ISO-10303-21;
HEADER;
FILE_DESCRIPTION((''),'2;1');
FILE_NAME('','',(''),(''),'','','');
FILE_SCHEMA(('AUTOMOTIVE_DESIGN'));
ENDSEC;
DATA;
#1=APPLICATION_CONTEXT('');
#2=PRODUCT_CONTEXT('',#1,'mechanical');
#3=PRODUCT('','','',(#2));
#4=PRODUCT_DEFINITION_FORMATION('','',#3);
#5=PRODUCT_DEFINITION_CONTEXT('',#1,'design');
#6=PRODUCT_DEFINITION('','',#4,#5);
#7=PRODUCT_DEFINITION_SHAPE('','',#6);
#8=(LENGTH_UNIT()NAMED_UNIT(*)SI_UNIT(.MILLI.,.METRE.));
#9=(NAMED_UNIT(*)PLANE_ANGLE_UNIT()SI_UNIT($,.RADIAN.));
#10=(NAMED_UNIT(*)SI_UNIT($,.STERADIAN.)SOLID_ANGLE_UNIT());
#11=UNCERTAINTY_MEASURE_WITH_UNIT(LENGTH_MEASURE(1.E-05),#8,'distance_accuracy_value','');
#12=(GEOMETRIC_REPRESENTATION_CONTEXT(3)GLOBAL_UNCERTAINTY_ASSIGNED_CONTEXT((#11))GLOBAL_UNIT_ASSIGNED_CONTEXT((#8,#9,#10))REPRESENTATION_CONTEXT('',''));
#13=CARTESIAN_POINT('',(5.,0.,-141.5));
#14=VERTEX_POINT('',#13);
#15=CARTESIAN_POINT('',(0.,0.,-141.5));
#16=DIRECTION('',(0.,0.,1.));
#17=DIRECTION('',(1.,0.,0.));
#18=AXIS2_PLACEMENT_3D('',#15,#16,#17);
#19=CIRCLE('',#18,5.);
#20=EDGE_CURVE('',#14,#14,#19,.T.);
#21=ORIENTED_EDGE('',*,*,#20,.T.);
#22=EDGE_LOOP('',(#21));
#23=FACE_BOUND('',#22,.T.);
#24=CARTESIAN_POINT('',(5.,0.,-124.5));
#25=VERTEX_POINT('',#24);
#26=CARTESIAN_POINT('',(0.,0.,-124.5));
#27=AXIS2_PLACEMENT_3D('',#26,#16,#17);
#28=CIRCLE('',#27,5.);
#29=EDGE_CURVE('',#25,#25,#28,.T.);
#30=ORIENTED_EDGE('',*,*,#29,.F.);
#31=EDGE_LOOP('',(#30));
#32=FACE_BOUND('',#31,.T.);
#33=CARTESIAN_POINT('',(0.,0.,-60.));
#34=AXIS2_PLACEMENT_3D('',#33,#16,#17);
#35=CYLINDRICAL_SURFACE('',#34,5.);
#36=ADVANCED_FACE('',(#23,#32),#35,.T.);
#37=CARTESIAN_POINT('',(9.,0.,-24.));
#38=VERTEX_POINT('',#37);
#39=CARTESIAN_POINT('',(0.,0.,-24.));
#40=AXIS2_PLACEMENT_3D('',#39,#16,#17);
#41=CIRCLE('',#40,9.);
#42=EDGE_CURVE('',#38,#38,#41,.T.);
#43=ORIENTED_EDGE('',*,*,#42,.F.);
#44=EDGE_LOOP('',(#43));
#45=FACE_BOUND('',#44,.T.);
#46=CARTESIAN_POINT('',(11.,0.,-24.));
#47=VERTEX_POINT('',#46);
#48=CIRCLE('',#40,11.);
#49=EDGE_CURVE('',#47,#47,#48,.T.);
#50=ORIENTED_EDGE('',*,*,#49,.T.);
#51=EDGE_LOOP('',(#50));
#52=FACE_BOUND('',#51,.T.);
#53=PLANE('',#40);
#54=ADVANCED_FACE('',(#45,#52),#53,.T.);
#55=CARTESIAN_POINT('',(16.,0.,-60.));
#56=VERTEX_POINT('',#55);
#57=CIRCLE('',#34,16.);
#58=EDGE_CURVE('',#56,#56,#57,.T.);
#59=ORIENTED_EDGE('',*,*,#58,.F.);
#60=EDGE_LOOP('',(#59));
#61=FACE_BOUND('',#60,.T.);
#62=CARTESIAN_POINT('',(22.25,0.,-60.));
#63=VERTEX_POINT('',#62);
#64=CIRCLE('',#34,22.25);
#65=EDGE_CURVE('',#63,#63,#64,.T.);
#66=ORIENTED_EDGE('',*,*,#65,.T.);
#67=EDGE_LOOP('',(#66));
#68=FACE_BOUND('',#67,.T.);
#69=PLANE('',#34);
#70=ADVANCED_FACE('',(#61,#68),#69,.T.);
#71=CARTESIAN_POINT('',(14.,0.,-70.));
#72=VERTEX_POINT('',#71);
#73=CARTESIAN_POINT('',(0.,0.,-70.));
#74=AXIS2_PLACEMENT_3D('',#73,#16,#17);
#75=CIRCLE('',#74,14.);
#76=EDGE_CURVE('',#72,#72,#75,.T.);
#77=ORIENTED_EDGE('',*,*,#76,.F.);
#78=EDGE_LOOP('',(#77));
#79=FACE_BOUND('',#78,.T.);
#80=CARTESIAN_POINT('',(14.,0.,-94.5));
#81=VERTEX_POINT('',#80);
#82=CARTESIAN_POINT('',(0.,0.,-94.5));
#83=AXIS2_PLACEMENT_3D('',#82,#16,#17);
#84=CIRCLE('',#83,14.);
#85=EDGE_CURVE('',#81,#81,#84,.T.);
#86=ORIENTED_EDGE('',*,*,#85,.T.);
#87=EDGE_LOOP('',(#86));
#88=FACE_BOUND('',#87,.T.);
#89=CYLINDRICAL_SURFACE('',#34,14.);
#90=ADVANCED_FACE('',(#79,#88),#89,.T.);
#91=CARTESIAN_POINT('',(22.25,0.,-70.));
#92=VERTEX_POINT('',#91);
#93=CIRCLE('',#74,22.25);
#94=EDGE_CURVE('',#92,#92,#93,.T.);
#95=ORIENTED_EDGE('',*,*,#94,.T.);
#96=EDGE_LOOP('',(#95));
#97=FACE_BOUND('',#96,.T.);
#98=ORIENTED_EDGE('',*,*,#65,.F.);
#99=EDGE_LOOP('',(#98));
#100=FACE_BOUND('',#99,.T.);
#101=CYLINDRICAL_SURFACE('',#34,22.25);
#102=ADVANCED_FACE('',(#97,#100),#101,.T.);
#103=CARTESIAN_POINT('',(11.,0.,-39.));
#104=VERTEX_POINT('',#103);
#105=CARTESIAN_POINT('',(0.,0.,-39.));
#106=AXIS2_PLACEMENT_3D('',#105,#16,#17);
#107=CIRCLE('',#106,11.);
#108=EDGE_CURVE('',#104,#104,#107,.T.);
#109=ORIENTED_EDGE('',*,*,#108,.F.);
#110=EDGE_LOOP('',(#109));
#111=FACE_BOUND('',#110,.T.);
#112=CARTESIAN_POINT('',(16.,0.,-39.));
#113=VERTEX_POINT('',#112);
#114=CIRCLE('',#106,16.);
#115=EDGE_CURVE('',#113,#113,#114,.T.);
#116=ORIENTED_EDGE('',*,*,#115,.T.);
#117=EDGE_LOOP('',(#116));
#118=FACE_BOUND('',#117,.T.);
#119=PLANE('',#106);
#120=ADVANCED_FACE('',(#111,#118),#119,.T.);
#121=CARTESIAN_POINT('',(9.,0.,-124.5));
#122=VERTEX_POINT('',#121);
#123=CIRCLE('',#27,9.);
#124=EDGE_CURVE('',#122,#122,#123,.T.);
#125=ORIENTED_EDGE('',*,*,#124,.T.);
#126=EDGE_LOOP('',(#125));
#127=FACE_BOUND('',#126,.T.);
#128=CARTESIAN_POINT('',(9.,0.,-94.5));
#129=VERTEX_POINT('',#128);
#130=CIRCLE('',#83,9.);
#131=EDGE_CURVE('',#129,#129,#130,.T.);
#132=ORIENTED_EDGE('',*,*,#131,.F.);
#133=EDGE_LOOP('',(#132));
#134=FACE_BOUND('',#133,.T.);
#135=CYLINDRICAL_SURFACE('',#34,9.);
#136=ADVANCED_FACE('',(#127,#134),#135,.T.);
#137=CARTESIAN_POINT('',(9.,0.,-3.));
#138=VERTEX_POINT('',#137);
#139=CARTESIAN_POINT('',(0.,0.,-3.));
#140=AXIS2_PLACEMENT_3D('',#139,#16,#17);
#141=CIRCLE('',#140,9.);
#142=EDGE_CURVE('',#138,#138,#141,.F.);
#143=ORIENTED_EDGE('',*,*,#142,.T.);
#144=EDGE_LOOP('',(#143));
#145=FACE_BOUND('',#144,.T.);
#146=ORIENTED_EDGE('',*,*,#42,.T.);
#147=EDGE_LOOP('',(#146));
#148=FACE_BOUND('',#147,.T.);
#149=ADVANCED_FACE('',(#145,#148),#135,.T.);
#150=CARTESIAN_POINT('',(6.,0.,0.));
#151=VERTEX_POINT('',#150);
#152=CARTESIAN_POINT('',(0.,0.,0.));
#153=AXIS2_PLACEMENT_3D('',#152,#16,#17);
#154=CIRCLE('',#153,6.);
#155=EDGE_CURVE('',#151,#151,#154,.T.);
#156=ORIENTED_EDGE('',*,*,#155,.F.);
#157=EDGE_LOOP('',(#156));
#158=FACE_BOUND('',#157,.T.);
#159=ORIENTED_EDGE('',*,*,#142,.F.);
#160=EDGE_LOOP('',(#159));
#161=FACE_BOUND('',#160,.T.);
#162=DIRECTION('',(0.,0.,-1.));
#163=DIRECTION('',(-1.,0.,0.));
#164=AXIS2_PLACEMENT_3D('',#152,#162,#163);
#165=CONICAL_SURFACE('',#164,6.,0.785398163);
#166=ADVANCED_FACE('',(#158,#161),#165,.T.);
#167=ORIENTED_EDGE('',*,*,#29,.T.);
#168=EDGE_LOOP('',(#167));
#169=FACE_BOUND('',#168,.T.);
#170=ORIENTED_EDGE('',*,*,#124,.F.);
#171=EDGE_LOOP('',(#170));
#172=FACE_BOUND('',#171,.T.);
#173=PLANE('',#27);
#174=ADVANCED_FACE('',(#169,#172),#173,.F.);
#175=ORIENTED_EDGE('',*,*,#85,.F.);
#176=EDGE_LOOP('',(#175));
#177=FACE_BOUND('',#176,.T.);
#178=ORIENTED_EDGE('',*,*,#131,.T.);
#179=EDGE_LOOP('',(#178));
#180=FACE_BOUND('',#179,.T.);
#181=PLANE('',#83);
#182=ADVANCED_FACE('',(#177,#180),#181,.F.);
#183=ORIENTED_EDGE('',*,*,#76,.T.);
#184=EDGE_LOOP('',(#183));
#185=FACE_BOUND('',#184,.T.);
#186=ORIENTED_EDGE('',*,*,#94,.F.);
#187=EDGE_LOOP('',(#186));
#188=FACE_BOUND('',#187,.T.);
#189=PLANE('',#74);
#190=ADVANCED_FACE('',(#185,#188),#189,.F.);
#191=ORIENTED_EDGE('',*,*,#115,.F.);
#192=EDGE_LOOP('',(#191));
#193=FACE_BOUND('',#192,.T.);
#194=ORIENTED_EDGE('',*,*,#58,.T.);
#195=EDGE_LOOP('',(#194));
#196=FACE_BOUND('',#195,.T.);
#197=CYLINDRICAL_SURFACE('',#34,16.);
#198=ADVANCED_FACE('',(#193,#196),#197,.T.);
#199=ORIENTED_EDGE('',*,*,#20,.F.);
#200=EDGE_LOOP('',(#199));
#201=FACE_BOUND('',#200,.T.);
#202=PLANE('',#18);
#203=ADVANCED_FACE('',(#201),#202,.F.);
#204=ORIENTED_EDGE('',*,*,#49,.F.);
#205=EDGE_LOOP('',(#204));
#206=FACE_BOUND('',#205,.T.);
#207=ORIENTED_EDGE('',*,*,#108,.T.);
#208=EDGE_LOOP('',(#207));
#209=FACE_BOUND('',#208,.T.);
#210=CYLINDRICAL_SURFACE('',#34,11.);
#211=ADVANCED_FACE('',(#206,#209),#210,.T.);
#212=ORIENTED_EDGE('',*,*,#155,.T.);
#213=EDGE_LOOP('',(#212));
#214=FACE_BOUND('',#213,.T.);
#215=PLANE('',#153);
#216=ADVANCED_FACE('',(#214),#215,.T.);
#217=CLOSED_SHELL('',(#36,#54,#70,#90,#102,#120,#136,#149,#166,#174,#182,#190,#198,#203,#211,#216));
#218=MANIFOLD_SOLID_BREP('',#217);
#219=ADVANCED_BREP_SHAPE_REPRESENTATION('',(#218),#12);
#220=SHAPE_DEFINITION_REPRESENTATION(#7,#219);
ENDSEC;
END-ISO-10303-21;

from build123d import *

# Parameters (mm, degrees)
SKETCH1_W     = 24
SKETCH1_H     = 9
SKETCH1_W_2   = 17
SKETCH1_H_2   = 5
CHAMFER1_SIZE = 3


with BuildPart() as part:
    # Sketch1 → Revolve1 (revolve)
    with BuildSketch(Plane(origin=(0, 0, 0), x_dir=(0, 0, -1), z_dir=(1, 0, 0)), mode=Mode.PRIVATE) as revolve1_sk:
        with Locations((12, 4.5)):
            Rectangle(SKETCH1_W, SKETCH1_H)
        Polygon((24, 9), (24, 0), (39, 0), (39, 11), (24, 11), align=None)
        Polygon((39, 11), (39, 0), (60, 0), (60, 16), (39, 16), align=None)
        Polygon((60, 16), (60, 0), (70, 0), (70, 14), (70, 22.25), (60, 22.25), align=None)
        Polygon((70, 14), (70, 0), (94.5, 0), (94.5, 9), (94.5, 14), align=None)
        Polygon((94.5, 9), (94.5, 0), (124.5, 0), (124.5, 5), (124.5, 9), align=None)
        with Locations((133, 2.5)):
            Rectangle(SKETCH1_W_2, SKETCH1_H_2)
    revolve(revolve1_sk.sketch.rotate(Axis((0, 0, -60), (0, 0, -1)), 90), axis=Axis((0, 0, -60), (0, 0, -1)))

    # Chamfer1
    chamfer1_edges = [part.edges().sort_by_distance(p)[0] for p in [
        (-9, 0, 0),
    ]]
    chamfer(chamfer1_edges, length=CHAMFER1_SIZE)


solid = part.part
